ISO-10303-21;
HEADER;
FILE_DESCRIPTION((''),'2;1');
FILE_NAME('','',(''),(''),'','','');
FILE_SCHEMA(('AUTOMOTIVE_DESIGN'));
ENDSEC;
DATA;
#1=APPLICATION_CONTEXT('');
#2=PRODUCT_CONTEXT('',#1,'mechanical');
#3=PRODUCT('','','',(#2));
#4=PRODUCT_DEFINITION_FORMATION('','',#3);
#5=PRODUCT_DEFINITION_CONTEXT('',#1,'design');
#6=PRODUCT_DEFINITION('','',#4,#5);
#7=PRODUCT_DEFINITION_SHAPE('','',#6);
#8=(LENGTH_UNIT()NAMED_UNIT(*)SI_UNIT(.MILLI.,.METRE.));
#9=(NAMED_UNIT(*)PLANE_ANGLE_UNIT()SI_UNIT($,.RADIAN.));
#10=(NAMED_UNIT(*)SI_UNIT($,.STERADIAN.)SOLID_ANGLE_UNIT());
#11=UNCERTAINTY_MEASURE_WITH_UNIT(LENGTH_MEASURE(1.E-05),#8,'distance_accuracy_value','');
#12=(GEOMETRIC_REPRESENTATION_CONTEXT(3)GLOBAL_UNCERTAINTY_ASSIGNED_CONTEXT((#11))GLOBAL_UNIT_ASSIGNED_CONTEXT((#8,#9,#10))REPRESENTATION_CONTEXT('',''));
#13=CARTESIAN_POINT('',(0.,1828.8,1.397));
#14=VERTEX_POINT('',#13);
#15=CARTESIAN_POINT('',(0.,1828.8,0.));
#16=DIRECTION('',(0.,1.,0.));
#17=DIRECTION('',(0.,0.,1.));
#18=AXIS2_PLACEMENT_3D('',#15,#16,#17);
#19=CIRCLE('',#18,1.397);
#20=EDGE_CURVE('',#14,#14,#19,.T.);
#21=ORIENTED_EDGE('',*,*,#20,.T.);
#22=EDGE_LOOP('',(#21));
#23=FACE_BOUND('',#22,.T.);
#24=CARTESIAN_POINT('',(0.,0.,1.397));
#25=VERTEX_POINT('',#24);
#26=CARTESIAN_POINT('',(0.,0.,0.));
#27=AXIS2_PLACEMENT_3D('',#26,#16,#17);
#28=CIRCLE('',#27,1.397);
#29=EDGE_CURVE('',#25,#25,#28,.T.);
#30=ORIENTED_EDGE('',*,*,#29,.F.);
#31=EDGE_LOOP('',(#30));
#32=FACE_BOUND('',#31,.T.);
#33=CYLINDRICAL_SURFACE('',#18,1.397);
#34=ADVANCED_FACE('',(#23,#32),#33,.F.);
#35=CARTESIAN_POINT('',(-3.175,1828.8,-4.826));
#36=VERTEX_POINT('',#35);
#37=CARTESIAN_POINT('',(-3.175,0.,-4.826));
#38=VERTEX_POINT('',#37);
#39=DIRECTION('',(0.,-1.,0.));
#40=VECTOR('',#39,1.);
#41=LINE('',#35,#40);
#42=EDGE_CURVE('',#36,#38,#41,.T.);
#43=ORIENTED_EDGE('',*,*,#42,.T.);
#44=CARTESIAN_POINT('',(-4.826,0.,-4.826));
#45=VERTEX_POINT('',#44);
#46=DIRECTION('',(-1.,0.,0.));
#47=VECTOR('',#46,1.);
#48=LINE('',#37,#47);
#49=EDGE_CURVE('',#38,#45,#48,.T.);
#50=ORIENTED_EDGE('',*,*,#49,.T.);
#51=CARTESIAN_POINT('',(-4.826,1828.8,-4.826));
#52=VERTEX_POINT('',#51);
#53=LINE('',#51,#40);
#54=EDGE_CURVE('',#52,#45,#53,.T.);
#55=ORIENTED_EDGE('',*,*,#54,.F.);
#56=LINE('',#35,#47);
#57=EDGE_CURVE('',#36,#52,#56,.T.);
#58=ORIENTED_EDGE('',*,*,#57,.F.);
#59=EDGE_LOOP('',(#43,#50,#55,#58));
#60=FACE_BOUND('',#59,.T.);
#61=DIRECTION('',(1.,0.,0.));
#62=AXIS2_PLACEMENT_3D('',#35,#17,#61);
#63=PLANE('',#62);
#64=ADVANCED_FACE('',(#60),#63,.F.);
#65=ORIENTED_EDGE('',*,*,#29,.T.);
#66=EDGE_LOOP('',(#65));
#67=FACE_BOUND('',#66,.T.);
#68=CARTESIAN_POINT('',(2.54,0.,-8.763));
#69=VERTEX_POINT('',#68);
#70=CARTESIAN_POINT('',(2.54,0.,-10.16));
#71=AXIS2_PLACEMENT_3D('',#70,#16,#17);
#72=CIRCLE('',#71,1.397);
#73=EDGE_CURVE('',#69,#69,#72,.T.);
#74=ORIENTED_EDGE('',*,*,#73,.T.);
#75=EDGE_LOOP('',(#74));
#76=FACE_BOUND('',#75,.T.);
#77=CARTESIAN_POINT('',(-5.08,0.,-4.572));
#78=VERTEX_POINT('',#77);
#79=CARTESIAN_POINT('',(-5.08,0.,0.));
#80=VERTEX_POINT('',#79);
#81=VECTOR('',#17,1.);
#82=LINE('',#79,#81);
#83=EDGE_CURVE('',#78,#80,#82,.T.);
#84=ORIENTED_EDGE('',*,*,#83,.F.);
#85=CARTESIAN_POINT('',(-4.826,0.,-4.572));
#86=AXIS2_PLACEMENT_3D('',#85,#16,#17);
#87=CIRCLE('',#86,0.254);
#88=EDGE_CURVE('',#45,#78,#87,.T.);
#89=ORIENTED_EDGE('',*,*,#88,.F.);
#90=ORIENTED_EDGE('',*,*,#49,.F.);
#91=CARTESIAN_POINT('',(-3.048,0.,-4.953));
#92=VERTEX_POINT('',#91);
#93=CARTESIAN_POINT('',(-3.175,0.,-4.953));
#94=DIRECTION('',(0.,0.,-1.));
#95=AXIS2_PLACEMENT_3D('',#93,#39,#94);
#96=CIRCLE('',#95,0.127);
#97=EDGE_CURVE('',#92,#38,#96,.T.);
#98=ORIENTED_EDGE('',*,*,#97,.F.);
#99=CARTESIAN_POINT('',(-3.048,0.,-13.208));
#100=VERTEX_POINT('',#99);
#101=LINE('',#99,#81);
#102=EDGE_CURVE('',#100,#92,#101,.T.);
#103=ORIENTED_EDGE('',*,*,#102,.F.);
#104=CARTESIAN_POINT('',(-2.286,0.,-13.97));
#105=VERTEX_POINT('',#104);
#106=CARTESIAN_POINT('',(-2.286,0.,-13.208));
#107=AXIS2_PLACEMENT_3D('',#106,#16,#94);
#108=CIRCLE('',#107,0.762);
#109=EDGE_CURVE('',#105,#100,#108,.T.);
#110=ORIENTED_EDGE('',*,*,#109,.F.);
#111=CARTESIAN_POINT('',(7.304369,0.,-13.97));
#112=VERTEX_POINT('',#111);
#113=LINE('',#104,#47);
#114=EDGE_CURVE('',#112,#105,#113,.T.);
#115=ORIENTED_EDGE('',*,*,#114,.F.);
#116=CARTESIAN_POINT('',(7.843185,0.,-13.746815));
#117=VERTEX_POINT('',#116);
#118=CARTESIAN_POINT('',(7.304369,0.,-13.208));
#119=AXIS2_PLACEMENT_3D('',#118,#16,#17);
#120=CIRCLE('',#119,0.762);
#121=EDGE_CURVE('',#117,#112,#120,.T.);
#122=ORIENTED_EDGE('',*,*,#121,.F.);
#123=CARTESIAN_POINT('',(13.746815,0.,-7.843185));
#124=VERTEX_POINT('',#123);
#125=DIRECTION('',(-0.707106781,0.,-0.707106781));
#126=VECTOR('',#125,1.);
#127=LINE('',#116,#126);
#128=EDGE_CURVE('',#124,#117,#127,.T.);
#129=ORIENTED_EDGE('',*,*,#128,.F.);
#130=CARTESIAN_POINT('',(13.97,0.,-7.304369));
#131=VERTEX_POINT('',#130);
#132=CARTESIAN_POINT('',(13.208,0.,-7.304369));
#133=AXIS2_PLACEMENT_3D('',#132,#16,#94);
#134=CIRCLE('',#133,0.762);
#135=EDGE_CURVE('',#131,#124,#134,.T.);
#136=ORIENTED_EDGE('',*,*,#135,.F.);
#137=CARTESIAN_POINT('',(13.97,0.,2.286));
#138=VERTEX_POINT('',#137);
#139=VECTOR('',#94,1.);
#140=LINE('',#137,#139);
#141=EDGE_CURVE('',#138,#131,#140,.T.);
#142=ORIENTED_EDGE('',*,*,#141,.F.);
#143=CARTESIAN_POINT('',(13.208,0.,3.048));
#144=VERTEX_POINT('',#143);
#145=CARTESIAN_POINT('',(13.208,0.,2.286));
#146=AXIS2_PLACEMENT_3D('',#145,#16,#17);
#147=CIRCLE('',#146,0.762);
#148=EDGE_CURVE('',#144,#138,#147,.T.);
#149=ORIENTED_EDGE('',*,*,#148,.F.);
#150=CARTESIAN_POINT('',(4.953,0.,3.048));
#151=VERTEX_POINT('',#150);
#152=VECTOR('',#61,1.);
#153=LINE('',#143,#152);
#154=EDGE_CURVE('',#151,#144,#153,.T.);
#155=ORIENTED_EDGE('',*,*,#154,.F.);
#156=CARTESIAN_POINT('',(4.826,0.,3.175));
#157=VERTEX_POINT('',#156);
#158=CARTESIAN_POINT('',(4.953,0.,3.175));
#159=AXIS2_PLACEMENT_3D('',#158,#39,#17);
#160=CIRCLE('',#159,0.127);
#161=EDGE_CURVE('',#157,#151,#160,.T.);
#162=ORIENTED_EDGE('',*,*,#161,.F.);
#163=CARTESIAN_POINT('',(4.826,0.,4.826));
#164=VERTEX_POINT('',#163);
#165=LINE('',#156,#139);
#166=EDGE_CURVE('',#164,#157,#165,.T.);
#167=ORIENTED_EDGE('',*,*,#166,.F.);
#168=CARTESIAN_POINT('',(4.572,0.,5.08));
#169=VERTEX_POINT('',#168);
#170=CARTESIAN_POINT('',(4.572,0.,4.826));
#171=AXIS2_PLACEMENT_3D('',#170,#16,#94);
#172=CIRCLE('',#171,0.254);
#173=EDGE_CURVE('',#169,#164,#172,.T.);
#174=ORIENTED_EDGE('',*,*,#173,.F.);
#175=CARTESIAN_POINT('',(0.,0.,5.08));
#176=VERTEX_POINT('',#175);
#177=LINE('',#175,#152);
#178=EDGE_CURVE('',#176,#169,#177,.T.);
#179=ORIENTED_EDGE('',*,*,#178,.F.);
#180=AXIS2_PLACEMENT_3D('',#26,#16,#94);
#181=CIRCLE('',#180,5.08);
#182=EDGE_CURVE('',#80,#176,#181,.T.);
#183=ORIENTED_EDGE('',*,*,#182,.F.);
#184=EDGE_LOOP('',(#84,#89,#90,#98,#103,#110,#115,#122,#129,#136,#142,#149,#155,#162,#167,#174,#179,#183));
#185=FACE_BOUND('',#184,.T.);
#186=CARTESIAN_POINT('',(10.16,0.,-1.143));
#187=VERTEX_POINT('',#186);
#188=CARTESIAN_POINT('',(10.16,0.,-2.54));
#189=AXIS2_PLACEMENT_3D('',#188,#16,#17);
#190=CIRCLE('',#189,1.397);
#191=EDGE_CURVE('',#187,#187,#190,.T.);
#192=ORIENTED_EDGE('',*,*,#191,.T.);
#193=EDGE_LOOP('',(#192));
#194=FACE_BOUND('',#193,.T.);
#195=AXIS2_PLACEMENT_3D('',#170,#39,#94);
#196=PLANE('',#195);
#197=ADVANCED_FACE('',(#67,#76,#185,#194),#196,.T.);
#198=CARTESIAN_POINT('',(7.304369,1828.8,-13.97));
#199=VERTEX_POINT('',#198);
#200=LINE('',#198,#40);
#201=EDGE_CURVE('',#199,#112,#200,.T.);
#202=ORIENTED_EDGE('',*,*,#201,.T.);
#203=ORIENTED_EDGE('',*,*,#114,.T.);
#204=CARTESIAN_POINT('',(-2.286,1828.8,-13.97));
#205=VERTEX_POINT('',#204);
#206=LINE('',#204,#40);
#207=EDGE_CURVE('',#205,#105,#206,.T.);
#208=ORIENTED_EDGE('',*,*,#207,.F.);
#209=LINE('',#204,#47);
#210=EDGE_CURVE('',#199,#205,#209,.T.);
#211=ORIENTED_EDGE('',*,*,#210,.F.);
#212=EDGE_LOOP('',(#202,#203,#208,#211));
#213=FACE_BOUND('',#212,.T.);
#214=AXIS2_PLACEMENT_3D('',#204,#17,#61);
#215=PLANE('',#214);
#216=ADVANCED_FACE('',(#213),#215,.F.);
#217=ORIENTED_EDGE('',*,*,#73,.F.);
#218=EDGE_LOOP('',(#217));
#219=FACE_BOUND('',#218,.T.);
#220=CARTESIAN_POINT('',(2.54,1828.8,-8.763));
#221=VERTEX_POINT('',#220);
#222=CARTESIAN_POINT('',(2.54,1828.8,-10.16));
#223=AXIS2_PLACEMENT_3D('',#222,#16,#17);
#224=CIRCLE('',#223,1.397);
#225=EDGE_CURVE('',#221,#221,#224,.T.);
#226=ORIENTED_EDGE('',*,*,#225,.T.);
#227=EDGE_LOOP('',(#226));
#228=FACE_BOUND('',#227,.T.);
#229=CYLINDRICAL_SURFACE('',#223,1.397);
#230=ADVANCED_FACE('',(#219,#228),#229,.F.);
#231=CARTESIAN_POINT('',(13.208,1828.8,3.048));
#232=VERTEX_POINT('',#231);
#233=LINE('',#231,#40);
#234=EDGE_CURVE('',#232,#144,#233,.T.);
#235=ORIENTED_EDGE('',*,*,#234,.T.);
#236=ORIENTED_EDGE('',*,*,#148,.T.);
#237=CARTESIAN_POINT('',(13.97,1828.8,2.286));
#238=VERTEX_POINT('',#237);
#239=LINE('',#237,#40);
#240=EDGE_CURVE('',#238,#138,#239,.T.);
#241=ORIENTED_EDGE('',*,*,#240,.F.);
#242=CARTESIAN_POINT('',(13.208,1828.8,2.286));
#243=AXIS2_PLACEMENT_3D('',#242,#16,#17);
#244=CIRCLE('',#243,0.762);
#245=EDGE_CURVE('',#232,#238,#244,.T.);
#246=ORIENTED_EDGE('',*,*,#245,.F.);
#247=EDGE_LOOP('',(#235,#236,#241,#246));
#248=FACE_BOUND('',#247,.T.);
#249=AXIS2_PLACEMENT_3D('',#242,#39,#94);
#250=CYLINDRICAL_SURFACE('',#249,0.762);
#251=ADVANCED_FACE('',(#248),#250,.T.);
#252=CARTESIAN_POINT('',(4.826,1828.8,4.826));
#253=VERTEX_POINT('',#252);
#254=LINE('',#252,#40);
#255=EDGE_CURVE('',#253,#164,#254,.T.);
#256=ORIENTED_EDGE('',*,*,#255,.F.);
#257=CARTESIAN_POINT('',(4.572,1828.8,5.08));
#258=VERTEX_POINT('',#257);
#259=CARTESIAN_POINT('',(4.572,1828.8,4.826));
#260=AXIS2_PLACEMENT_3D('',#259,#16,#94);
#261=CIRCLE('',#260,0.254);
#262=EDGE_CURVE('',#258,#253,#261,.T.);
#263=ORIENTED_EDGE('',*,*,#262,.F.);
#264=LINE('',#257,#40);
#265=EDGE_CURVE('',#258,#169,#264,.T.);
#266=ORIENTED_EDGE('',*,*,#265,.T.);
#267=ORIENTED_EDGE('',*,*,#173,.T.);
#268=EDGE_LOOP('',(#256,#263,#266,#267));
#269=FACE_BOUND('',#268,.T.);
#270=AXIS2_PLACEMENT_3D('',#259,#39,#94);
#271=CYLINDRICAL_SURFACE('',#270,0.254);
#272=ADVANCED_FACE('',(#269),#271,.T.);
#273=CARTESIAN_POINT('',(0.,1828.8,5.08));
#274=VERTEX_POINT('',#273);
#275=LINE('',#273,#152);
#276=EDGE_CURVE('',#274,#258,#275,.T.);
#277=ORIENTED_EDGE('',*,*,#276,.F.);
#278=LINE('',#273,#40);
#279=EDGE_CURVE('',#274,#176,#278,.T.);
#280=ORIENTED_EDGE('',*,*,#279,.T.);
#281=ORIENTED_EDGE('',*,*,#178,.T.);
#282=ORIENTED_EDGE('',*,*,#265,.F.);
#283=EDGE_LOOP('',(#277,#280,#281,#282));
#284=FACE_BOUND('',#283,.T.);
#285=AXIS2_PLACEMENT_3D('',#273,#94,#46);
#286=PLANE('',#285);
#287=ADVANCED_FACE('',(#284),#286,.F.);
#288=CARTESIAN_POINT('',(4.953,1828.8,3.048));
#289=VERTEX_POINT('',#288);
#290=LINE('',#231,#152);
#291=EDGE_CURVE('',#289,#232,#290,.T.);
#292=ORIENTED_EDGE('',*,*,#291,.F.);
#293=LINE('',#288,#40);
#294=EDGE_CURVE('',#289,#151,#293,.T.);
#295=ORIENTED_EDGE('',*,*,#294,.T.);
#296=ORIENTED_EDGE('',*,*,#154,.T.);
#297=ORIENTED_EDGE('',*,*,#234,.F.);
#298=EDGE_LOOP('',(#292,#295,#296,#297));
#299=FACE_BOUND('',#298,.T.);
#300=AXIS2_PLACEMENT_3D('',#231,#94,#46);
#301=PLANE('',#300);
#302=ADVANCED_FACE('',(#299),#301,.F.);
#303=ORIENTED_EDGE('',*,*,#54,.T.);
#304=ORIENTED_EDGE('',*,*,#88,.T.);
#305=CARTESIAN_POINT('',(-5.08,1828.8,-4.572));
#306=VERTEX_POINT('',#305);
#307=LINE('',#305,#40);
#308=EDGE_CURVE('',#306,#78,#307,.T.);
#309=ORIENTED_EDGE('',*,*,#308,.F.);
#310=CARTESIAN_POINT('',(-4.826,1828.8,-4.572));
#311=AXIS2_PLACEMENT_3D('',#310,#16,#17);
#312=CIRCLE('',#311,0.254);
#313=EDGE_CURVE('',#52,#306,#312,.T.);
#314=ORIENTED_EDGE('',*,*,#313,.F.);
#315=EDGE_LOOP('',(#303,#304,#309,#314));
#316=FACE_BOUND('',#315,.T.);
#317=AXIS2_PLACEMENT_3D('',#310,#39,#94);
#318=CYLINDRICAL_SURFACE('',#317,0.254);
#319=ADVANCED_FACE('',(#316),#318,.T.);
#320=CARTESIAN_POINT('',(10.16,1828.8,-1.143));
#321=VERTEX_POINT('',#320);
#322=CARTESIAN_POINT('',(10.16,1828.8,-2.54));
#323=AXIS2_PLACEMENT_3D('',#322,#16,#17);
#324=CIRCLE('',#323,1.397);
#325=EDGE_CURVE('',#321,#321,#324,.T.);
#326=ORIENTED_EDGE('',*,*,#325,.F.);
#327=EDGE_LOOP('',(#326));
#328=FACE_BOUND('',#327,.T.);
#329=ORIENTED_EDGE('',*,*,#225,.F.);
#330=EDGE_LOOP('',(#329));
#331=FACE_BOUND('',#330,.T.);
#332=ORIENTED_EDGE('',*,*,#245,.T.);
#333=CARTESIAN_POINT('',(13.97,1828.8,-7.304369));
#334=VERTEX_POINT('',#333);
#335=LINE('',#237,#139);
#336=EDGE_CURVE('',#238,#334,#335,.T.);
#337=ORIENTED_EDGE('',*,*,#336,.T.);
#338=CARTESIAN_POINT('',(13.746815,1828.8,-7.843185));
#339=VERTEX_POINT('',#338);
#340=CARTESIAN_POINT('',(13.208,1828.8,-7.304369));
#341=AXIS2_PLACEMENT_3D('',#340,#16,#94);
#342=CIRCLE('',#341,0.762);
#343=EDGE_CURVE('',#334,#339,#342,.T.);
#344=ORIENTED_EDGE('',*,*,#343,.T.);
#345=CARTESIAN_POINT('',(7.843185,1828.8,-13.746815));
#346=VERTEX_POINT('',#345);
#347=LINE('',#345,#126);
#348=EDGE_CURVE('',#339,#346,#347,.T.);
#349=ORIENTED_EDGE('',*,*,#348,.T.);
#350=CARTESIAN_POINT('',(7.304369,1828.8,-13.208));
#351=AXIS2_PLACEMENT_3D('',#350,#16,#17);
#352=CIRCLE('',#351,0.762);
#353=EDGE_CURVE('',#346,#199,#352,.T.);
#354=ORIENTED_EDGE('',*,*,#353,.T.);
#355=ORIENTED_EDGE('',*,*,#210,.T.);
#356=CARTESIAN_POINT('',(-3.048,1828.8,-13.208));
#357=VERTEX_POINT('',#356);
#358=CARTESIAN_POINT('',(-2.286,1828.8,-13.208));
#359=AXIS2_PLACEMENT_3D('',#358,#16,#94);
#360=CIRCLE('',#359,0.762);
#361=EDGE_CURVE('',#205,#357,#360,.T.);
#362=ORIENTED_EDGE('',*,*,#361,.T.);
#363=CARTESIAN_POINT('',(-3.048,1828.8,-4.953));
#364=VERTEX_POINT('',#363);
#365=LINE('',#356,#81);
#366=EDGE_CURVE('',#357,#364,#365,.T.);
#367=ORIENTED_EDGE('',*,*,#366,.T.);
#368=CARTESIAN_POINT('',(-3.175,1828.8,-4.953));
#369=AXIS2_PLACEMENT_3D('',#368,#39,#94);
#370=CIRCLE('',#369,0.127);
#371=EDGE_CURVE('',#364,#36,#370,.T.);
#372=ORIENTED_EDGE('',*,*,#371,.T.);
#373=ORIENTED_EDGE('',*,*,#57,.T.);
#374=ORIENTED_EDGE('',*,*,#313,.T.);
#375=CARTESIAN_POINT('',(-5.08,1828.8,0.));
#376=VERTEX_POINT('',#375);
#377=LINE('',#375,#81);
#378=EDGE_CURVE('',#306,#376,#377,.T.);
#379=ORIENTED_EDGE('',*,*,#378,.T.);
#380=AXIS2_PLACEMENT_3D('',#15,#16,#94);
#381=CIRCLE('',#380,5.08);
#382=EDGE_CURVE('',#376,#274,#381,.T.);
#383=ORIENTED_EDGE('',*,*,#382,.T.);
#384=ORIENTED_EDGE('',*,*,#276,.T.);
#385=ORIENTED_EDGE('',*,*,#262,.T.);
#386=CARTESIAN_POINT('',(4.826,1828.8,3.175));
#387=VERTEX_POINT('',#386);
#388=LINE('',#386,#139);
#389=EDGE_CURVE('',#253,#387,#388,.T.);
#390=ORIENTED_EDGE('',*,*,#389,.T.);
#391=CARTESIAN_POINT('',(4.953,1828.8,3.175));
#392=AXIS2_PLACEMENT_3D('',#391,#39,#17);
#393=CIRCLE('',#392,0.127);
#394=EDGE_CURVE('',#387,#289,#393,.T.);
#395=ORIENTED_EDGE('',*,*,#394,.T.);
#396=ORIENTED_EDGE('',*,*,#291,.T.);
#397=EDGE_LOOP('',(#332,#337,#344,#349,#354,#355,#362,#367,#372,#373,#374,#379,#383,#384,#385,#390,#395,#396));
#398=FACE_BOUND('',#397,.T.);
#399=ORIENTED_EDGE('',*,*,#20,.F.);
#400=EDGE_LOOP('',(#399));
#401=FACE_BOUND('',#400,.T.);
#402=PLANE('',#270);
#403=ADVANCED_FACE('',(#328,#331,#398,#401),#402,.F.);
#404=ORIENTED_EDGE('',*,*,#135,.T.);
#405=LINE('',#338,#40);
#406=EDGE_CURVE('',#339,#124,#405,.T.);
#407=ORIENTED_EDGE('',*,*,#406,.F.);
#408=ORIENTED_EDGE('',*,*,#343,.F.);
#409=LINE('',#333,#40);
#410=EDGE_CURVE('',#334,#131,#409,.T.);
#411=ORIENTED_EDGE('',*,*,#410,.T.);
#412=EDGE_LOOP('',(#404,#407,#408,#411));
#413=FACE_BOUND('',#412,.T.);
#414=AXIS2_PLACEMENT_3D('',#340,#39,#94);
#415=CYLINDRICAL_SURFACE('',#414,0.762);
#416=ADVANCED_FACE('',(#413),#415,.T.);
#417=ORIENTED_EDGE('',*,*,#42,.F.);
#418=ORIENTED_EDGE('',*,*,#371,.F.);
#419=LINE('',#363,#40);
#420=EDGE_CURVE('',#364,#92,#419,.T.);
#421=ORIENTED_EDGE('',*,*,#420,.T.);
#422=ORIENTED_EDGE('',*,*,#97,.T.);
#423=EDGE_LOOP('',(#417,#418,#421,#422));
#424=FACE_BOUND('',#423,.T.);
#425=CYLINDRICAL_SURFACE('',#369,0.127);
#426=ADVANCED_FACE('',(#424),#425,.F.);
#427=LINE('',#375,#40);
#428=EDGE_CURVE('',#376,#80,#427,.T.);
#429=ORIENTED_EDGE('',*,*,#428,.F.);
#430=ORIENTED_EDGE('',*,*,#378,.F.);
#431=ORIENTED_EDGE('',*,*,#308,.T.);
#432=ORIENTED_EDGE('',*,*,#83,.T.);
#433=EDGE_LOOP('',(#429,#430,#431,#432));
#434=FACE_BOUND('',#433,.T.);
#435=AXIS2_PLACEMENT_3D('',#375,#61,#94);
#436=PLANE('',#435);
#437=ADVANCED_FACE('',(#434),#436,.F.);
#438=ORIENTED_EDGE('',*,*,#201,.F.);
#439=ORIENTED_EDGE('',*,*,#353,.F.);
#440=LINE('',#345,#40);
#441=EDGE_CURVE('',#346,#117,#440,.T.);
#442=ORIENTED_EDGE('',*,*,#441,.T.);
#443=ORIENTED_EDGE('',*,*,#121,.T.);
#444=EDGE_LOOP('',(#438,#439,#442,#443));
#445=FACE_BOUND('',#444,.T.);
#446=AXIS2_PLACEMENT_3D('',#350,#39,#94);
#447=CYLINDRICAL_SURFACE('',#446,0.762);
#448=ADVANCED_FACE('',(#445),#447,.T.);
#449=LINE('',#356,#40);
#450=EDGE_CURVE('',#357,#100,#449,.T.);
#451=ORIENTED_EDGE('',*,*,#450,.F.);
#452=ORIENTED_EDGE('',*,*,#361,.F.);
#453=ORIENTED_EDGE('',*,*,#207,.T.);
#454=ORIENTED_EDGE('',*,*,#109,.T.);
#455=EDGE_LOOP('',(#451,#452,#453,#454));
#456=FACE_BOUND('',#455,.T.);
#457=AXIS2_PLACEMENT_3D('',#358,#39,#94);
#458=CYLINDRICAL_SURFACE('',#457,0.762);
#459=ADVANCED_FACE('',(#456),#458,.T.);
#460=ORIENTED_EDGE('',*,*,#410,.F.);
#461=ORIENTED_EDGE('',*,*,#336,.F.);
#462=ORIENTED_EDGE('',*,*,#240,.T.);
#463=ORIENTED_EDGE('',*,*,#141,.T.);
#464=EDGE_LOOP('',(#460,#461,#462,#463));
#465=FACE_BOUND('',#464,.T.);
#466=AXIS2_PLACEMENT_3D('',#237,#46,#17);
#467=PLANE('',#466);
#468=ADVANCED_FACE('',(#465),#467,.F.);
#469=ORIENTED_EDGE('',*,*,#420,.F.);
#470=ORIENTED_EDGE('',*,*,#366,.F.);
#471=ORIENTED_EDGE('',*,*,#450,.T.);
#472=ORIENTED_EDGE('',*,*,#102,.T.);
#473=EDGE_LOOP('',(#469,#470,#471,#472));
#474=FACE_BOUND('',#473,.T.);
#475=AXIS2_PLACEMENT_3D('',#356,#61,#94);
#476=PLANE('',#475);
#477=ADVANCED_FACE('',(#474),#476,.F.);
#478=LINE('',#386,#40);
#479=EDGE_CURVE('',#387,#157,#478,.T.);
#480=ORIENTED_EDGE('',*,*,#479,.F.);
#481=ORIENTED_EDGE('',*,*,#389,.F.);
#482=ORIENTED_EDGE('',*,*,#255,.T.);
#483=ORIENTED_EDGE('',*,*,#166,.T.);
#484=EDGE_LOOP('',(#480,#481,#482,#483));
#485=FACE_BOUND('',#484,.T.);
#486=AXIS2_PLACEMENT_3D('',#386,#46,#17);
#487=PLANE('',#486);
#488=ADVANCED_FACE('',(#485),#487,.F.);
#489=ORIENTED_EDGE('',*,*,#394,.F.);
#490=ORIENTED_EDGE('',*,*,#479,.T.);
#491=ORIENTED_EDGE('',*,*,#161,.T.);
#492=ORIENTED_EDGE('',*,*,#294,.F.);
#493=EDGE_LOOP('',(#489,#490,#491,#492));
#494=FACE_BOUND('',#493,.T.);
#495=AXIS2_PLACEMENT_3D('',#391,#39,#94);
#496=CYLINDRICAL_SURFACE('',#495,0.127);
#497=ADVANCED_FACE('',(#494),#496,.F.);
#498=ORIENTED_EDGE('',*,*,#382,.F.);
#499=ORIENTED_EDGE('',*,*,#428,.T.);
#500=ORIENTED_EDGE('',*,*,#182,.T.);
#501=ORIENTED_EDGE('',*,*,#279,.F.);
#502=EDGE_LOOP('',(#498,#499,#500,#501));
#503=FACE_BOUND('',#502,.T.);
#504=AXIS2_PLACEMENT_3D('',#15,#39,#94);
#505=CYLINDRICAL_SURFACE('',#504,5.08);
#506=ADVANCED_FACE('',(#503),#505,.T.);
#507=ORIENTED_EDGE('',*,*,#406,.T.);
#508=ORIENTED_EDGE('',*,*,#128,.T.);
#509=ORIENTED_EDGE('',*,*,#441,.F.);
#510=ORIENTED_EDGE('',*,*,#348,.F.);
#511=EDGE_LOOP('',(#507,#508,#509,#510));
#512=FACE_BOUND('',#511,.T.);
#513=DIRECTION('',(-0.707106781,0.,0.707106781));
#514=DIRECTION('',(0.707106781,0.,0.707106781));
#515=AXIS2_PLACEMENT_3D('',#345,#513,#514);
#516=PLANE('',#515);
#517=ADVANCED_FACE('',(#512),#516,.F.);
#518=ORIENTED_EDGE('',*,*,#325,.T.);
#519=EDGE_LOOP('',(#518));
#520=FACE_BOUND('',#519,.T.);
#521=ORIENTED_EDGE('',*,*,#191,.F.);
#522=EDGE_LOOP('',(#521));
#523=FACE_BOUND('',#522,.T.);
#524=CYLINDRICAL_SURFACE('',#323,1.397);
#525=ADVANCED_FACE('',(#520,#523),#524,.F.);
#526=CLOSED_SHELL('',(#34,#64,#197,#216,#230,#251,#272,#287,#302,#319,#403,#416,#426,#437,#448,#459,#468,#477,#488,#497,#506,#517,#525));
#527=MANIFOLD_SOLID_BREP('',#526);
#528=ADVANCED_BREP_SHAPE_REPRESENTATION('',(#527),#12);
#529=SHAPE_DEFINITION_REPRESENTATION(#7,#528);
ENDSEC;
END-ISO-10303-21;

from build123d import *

# Parameters (mm, degrees)
BOSS_EXTRUDE1_DEPTH = 1828.8
THRU_HOLES_D        = 2.794


with BuildPart() as part:
    # Sketch1 → Boss-Extrude1 (new body)
    with BuildSketch(Plane(origin=(0, 0, 0), x_dir=(1, 0, 0), z_dir=(0, 1, 0))):
        with BuildLine():
            Line((-3.048, 13.208), (-3.048, 4.953))
            ThreePointArc((-3.048, 4.953), (-3.085197439, 4.863197439), (-3.175, 4.826))
            Line((-3.175, 4.826), (-4.826, 4.826))
            ThreePointArc((-4.826, 4.826), (-5.005605122, 4.751605122), (-5.08, 4.572))
            Line((-5.08, 4.572), (-5.08, 0))
            ThreePointArc((-5.08, 0), (-3.592102448, -3.592102448), (0, -5.08))
            Line((0, -5.08), (4.572, -5.08))
            ThreePointArc((4.572, -5.08), (4.751605122, -5.005605122), (4.826, -4.826))
            Line((4.826, -4.826), (4.826, -3.175))
            ThreePointArc((4.826, -3.175), (4.863197439, -3.085197439), (4.953, -3.048))
            Line((4.953, -3.048), (13.208, -3.048))
            ThreePointArc((13.208, -3.048), (13.746815367, -2.824815367), (13.97, -2.286))
            Line((13.97, -2.286), (13.97, 7.304369265))
            ThreePointArc((13.97, 7.304369265), (13.911996204, 7.595974041), (13.746815367, 7.843184633))
            Line((13.746815367, 7.843184633), (7.843184633, 13.746815367))
            ThreePointArc((7.843184633, 13.746815367), (7.595974041, 13.911996204), (7.304369265, 13.97))
            Line((7.304369265, 13.97), (-2.286, 13.97))
            ThreePointArc((-2.286, 13.97), (-2.824815367, 13.746815367), (-3.048, 13.208))
        make_face()
    extrude(amount=BOSS_EXTRUDE1_DEPTH)

    # THRU HOLES (through all)
    with Locations(Plane(origin=(0, 1828.8, 0), x_dir=(1, 0, 0), z_dir=(0, 1, 0))):
        with Locations((0, 0), (2.54, 10.16), (10.16, 2.54)):
            Hole(THRU_HOLES_D / 2)


solid = part.part
